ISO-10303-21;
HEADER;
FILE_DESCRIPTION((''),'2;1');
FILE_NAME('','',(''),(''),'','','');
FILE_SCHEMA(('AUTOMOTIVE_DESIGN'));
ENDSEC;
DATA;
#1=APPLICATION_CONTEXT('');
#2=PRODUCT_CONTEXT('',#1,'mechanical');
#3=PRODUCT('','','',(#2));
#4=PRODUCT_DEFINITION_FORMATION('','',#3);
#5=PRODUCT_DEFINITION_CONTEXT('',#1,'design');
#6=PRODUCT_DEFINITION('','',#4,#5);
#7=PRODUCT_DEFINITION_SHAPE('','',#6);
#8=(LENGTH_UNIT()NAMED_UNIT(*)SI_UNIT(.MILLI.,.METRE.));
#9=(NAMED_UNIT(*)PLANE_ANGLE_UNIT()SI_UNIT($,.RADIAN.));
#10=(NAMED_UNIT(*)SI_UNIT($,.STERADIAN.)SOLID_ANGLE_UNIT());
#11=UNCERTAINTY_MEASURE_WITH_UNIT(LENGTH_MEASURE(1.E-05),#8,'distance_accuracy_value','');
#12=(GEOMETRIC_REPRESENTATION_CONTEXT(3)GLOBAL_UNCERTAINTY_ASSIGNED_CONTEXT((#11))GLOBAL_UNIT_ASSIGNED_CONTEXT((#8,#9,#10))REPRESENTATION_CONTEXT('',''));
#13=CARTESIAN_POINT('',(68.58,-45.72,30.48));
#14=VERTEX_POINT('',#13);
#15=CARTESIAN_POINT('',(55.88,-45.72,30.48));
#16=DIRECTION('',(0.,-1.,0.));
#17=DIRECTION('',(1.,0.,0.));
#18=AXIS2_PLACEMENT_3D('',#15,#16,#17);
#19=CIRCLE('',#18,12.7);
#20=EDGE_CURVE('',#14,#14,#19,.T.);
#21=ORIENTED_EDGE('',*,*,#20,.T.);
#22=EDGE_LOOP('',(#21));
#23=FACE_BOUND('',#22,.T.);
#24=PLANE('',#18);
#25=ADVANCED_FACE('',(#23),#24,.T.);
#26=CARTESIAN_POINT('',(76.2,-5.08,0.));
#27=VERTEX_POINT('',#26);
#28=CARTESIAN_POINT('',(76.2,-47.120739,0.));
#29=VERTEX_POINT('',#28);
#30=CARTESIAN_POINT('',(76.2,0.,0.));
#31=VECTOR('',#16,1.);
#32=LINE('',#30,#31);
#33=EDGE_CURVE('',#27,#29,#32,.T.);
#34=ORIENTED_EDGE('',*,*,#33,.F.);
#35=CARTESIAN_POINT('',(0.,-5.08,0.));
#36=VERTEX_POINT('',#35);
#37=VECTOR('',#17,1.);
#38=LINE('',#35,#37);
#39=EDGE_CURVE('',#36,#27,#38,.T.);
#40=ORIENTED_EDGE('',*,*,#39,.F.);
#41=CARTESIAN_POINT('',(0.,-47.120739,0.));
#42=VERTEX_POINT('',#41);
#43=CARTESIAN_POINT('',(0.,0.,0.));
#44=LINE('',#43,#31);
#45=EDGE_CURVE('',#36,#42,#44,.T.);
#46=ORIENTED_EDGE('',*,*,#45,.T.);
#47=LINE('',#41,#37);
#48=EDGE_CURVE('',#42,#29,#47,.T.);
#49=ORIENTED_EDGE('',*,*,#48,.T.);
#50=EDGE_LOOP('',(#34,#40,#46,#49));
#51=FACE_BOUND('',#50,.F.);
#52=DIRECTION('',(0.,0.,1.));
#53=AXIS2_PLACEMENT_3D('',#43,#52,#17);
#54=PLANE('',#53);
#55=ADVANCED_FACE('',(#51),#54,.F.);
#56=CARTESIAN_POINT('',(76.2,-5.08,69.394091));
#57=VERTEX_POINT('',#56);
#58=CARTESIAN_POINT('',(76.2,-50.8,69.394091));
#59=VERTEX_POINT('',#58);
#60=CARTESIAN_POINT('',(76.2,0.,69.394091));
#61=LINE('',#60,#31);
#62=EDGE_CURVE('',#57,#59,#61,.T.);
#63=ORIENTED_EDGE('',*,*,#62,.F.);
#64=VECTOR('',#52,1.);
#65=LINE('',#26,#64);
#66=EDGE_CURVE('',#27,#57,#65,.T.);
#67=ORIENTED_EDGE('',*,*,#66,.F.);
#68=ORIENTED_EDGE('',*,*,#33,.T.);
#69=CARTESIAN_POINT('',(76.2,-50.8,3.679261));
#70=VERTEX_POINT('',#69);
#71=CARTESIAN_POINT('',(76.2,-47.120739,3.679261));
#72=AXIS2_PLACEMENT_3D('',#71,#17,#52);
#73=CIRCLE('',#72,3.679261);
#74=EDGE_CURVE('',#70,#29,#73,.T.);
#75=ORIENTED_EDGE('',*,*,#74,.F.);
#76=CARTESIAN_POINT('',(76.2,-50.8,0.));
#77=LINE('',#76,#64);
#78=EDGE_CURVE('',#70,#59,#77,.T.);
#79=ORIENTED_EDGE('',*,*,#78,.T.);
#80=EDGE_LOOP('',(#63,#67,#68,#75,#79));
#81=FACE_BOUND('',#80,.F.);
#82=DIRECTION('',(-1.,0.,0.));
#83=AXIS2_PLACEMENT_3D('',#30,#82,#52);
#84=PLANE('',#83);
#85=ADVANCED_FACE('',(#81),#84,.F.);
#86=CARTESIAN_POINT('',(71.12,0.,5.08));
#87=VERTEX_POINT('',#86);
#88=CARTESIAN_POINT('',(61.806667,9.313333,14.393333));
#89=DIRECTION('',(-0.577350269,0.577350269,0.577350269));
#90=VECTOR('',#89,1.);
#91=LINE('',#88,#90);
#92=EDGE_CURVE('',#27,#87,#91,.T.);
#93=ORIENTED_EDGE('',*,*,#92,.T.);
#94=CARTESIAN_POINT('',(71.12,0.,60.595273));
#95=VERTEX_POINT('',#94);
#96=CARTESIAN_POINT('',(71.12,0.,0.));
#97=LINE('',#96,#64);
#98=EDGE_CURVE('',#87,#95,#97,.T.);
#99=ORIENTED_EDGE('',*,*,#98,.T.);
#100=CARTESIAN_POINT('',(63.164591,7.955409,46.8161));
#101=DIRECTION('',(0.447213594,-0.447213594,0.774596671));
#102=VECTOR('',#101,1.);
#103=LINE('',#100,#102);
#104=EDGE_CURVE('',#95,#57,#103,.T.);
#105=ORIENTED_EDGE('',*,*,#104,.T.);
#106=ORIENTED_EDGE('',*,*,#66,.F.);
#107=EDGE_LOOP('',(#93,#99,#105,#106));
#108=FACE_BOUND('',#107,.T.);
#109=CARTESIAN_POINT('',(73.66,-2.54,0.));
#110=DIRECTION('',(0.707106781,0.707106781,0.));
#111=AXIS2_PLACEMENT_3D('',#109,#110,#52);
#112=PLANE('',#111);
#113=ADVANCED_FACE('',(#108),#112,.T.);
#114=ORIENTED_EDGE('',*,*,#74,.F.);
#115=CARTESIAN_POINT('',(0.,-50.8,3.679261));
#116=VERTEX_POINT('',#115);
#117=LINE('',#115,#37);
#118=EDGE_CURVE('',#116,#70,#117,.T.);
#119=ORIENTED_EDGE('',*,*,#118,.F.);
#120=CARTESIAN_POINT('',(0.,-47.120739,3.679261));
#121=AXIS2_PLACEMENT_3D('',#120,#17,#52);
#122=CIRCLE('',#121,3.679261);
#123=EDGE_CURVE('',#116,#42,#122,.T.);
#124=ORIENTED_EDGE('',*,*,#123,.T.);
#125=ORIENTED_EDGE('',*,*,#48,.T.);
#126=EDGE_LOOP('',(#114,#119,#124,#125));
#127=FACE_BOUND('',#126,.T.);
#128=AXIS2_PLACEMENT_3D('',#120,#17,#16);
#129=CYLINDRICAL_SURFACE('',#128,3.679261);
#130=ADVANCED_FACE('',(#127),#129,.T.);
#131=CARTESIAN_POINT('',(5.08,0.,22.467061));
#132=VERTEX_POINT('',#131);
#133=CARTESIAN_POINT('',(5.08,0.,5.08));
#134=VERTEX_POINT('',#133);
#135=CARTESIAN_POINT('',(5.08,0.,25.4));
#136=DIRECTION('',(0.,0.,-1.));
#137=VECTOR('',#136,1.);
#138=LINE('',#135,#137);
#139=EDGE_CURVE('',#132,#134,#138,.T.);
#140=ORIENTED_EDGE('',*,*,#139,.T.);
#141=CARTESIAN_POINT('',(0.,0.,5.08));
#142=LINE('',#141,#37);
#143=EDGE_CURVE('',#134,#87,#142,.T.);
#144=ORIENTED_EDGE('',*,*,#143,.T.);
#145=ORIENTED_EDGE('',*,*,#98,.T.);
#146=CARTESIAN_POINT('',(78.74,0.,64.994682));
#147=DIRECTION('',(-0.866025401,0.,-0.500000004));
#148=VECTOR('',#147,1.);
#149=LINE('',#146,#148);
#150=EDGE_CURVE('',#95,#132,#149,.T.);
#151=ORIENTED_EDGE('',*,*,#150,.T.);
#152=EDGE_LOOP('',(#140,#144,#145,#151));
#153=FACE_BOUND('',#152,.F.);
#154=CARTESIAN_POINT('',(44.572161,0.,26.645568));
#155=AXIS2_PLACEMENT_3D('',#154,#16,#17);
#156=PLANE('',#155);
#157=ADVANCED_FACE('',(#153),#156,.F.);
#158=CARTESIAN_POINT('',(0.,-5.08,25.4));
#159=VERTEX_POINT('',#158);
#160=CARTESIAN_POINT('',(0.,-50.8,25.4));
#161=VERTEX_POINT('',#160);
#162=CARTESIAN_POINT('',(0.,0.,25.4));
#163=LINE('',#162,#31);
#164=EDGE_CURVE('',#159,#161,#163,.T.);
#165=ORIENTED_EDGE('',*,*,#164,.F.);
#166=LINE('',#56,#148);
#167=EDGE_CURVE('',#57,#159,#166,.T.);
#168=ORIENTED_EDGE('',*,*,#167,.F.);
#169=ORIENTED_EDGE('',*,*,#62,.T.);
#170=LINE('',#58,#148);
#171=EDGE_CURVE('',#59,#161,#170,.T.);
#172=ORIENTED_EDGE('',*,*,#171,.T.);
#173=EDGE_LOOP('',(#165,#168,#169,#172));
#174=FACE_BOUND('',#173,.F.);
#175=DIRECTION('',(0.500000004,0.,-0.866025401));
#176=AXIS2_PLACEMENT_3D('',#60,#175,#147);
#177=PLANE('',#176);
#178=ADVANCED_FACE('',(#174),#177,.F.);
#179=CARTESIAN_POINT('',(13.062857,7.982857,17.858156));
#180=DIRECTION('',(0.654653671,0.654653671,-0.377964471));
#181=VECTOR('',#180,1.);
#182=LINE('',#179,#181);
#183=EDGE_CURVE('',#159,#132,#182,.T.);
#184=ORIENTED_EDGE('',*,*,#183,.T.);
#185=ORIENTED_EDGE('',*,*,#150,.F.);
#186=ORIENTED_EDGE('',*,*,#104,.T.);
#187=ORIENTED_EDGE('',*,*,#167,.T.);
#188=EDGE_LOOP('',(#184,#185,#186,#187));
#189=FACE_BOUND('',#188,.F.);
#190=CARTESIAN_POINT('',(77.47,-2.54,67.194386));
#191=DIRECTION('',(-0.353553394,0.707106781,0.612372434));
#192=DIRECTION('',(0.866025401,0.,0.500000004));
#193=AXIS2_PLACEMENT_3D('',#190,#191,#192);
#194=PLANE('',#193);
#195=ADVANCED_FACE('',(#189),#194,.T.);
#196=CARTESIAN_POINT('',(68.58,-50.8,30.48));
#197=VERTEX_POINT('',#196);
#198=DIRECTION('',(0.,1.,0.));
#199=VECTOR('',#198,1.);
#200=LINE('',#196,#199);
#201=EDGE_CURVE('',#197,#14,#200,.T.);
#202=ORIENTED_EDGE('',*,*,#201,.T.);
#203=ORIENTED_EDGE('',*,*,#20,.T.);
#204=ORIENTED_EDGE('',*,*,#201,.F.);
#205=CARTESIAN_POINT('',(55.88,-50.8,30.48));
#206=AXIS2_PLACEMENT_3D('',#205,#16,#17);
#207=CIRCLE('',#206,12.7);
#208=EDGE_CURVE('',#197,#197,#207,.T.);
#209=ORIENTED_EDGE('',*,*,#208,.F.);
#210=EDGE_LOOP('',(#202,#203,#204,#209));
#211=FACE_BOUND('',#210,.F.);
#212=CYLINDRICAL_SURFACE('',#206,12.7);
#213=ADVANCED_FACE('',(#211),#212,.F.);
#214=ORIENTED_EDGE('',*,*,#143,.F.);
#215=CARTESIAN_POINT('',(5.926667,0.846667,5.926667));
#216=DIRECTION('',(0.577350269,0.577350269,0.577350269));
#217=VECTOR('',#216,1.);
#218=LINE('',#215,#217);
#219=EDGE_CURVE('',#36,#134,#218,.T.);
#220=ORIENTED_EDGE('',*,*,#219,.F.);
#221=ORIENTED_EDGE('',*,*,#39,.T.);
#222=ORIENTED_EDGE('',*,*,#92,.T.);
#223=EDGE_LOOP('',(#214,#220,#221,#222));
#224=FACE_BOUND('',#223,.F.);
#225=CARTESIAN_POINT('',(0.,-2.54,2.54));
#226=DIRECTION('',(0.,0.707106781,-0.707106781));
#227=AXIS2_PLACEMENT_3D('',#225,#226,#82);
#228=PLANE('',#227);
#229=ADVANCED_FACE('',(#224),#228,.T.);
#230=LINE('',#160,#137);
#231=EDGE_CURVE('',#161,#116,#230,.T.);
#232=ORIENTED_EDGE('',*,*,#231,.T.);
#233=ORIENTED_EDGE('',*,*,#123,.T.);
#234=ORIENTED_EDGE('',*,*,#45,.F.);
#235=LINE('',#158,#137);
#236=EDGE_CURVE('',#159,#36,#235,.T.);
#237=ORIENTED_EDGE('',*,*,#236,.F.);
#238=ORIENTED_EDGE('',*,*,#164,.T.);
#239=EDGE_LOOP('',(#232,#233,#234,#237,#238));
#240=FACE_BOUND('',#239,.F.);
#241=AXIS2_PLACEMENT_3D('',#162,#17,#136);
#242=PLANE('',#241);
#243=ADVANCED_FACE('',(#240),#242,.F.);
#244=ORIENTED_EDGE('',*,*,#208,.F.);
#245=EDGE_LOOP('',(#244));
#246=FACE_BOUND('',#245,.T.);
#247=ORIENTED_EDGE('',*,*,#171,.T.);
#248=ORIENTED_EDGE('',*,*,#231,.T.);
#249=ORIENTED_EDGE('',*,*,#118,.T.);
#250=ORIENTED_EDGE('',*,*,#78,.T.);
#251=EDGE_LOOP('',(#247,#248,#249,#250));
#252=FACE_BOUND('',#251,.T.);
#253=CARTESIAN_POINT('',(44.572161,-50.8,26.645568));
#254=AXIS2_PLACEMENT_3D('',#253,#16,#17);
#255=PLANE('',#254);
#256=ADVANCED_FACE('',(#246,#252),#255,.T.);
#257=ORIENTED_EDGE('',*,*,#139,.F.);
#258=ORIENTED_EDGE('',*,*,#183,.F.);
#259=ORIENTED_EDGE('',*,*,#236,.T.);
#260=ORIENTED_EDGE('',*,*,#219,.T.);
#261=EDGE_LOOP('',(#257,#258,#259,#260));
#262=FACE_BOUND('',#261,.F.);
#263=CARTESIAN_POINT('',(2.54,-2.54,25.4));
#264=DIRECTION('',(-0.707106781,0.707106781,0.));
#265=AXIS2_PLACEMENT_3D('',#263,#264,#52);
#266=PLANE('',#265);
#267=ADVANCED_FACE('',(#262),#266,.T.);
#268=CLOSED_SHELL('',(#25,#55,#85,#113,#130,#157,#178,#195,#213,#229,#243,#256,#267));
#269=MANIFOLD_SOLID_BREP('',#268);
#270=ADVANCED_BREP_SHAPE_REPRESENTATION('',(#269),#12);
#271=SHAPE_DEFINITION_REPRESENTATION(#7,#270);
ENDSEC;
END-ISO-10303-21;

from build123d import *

# Parameters (mm, degrees)
F1_DEPTH = 50.8
F2_R     = 12.7
F3_DEPTH = 5.08
F4_SIZE  = 5.08
F5_R     = 3.679261


with BuildPart() as f1:
    # F0 (on Front) → F1 (new body)
    with BuildSketch(Plane.XZ):
        Polygon((0, 25.4), (0, 0), (76.2, 0), (76.2, 69.394091), align=None)
    extrude(amount=F1_DEPTH)

    # F2 (on face) → F3 (cut)
    with BuildSketch(Plane.XZ.offset(50.8)):
        with Locations((55.88, 30.48)):
            Circle(F2_R)
    extrude(amount=-F3_DEPTH, mode=Mode.SUBTRACT)

    # F4
    f4_edges = [f1.edges().sort_by_distance(p)[0] for p in [
        (0, 0, 12.7),
        (38.1, 0, 0),
        (76.2, 0, 34.697045),
        (38.1, 0, 47.397045),
    ]]
    chamfer(f4_edges, length=F4_SIZE)

    # F5
    f5_edges = [f1.edges().sort_by_distance(p)[0] for p in [
        (38.1, -50.8, 0),
    ]]
    fillet(f5_edges, radius=F5_R)


solid = f1.part
